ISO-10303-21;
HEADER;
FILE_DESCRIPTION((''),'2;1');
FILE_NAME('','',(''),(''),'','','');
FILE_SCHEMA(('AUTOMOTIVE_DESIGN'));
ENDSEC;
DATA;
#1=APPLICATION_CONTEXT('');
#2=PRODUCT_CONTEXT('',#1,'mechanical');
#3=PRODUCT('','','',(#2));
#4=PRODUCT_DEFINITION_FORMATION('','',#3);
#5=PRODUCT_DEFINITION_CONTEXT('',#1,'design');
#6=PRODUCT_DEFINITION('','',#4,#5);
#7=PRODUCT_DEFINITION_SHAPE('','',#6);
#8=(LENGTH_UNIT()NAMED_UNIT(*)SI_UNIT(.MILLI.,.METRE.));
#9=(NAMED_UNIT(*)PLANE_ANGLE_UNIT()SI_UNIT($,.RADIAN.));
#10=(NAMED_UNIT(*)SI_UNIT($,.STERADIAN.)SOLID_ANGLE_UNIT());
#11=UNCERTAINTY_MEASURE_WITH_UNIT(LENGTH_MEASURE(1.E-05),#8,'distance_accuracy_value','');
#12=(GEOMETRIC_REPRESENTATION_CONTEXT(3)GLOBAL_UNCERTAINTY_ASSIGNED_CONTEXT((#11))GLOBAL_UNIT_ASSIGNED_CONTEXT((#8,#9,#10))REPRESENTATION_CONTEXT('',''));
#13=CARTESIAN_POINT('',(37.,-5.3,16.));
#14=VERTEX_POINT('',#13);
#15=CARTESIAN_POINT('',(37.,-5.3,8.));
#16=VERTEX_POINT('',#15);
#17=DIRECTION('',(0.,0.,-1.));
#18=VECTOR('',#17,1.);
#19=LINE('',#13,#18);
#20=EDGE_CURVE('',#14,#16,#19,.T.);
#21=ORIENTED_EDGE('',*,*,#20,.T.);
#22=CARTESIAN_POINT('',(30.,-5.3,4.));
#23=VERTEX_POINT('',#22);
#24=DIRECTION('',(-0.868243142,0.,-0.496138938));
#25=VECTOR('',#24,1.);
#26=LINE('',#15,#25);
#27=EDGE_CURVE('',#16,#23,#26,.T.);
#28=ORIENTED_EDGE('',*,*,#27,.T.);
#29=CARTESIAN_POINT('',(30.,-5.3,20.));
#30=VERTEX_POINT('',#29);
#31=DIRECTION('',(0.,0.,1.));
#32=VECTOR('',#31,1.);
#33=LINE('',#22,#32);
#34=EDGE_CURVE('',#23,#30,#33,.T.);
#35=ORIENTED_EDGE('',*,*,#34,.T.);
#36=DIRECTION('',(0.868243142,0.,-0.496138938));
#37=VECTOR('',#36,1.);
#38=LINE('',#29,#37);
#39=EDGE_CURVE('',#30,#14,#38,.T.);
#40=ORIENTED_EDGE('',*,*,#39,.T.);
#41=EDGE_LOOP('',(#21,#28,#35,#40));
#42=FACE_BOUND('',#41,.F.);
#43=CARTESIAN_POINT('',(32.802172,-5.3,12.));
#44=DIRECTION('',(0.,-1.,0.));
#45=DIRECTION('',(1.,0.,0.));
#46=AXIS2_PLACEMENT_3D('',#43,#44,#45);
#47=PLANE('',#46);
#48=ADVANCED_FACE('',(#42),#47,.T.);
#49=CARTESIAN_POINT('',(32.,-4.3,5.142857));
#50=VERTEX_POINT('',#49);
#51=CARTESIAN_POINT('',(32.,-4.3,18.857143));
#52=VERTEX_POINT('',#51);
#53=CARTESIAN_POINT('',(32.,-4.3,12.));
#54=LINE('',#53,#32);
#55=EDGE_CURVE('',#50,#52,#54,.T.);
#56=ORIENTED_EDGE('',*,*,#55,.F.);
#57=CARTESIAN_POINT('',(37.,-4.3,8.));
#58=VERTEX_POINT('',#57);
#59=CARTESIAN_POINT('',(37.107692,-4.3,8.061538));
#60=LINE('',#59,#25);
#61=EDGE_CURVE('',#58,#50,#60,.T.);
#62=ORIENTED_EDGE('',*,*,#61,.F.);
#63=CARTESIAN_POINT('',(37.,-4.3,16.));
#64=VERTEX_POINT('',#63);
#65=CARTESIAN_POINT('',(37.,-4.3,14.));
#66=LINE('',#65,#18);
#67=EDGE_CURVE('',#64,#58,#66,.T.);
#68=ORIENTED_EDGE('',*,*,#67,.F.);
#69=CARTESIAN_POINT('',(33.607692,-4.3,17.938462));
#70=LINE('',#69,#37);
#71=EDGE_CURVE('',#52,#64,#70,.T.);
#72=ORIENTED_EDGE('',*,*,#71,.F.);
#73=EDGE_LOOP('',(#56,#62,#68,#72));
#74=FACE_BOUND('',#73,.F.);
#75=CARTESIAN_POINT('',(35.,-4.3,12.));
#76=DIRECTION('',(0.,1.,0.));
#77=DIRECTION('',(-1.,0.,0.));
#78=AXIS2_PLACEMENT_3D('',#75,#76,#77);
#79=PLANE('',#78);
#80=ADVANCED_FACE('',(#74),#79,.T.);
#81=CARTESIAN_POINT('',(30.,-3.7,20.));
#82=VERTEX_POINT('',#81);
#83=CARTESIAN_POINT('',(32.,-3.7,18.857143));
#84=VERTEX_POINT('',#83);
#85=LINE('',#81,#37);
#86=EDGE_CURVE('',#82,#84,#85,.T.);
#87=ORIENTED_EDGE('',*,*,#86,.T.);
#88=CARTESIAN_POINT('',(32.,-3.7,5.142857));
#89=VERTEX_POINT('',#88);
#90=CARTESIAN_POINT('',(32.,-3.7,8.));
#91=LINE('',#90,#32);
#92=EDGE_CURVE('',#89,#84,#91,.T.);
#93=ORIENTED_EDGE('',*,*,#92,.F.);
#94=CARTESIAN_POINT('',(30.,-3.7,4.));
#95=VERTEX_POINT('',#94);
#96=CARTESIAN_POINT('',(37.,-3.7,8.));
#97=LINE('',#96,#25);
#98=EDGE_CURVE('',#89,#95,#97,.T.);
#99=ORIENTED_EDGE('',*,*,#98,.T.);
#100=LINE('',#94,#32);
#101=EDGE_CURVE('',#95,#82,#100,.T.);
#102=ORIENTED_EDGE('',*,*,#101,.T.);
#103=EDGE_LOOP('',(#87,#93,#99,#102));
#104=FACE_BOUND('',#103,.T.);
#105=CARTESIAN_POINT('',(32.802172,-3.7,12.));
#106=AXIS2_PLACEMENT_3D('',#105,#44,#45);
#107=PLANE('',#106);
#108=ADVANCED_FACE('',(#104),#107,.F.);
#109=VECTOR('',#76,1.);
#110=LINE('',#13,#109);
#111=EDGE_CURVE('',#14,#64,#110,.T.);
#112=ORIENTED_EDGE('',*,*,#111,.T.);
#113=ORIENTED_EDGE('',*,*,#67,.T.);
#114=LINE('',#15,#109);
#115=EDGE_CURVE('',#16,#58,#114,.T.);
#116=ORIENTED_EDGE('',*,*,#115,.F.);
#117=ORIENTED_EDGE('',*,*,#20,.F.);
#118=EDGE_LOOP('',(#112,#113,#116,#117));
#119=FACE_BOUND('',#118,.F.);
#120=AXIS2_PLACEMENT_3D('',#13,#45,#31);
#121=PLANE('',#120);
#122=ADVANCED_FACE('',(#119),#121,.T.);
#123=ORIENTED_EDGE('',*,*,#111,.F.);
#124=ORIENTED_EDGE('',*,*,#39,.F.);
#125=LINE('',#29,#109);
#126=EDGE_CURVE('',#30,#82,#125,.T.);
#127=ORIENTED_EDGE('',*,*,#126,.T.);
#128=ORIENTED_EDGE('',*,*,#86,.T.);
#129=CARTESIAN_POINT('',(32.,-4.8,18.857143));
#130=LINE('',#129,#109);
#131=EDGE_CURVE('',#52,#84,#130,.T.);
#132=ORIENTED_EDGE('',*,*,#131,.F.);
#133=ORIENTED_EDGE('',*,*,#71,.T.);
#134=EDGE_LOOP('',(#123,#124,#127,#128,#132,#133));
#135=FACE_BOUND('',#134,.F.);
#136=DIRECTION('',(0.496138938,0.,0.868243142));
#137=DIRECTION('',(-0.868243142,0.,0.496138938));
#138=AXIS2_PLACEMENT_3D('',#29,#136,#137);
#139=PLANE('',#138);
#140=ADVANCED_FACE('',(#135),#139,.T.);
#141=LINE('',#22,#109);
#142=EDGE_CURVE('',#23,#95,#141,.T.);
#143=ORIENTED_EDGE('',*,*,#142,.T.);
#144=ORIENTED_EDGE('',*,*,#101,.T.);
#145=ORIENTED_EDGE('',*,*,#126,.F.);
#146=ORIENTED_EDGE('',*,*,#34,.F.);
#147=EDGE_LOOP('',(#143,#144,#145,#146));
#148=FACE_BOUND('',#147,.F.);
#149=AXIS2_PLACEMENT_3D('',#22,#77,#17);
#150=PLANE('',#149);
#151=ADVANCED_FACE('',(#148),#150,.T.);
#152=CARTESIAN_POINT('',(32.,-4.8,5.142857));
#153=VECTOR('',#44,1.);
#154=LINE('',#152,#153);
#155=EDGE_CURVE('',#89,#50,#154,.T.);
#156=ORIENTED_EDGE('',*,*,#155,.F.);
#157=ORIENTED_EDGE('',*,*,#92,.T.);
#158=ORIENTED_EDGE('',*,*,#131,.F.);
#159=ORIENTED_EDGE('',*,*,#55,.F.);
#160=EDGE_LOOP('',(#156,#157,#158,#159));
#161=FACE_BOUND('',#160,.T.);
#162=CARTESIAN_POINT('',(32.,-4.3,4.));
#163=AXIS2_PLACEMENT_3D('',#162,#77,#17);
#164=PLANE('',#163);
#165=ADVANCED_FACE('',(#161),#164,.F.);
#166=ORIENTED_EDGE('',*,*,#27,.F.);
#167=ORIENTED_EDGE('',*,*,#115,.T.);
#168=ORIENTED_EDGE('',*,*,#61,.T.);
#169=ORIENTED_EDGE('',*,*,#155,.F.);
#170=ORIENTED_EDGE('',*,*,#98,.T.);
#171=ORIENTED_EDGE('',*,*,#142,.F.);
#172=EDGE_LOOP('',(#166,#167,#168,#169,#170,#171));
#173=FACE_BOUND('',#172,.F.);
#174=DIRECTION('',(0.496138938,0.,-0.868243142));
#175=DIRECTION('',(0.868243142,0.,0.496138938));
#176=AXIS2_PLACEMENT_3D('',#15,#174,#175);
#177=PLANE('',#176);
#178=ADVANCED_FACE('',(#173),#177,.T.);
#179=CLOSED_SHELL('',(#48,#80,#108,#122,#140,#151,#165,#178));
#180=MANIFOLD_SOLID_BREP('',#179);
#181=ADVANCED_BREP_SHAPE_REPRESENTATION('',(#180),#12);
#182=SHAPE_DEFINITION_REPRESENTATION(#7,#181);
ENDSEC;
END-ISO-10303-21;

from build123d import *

# Parameters (mm, degrees)
SKETCH043_W      = 6
SKETCH043_H      = 16
EXTRUDE052_DEPTH = 1.6
EXTRUDE_DEPTH    = 1.6


with BuildPart() as extrude052:
    # Sketch043 → Extrude052 (new body)
    with BuildSketch(Plane.XZ.offset(-4.3)):
        with Locations((35, 12)):
            Rectangle(SKETCH043_W, SKETCH043_H)
    extrude(amount=EXTRUDE052_DEPTH)


with BuildPart() as body005:
    # Sketch → Extrude (new body)
    with BuildSketch(Plane.XZ.offset(-5.3)):
        Polygon((37, 16), (37, 8), (30, 4), (30, 20), align=None)
    extrude(amount=EXTRUDE_DEPTH)

    # Cut028: cut Extrude052
    add(extrude052.part, mode=Mode.SUBTRACT)


with BuildPart() as switch_protector001:
    # Part__Mirroring005: instance of Body005
    add(body005.part.mirror(Plane(origin=(0, 0, 0), x_dir=(1, 0, 0), z_dir=(0, 1, 0))))


solid = switch_protector001.part
